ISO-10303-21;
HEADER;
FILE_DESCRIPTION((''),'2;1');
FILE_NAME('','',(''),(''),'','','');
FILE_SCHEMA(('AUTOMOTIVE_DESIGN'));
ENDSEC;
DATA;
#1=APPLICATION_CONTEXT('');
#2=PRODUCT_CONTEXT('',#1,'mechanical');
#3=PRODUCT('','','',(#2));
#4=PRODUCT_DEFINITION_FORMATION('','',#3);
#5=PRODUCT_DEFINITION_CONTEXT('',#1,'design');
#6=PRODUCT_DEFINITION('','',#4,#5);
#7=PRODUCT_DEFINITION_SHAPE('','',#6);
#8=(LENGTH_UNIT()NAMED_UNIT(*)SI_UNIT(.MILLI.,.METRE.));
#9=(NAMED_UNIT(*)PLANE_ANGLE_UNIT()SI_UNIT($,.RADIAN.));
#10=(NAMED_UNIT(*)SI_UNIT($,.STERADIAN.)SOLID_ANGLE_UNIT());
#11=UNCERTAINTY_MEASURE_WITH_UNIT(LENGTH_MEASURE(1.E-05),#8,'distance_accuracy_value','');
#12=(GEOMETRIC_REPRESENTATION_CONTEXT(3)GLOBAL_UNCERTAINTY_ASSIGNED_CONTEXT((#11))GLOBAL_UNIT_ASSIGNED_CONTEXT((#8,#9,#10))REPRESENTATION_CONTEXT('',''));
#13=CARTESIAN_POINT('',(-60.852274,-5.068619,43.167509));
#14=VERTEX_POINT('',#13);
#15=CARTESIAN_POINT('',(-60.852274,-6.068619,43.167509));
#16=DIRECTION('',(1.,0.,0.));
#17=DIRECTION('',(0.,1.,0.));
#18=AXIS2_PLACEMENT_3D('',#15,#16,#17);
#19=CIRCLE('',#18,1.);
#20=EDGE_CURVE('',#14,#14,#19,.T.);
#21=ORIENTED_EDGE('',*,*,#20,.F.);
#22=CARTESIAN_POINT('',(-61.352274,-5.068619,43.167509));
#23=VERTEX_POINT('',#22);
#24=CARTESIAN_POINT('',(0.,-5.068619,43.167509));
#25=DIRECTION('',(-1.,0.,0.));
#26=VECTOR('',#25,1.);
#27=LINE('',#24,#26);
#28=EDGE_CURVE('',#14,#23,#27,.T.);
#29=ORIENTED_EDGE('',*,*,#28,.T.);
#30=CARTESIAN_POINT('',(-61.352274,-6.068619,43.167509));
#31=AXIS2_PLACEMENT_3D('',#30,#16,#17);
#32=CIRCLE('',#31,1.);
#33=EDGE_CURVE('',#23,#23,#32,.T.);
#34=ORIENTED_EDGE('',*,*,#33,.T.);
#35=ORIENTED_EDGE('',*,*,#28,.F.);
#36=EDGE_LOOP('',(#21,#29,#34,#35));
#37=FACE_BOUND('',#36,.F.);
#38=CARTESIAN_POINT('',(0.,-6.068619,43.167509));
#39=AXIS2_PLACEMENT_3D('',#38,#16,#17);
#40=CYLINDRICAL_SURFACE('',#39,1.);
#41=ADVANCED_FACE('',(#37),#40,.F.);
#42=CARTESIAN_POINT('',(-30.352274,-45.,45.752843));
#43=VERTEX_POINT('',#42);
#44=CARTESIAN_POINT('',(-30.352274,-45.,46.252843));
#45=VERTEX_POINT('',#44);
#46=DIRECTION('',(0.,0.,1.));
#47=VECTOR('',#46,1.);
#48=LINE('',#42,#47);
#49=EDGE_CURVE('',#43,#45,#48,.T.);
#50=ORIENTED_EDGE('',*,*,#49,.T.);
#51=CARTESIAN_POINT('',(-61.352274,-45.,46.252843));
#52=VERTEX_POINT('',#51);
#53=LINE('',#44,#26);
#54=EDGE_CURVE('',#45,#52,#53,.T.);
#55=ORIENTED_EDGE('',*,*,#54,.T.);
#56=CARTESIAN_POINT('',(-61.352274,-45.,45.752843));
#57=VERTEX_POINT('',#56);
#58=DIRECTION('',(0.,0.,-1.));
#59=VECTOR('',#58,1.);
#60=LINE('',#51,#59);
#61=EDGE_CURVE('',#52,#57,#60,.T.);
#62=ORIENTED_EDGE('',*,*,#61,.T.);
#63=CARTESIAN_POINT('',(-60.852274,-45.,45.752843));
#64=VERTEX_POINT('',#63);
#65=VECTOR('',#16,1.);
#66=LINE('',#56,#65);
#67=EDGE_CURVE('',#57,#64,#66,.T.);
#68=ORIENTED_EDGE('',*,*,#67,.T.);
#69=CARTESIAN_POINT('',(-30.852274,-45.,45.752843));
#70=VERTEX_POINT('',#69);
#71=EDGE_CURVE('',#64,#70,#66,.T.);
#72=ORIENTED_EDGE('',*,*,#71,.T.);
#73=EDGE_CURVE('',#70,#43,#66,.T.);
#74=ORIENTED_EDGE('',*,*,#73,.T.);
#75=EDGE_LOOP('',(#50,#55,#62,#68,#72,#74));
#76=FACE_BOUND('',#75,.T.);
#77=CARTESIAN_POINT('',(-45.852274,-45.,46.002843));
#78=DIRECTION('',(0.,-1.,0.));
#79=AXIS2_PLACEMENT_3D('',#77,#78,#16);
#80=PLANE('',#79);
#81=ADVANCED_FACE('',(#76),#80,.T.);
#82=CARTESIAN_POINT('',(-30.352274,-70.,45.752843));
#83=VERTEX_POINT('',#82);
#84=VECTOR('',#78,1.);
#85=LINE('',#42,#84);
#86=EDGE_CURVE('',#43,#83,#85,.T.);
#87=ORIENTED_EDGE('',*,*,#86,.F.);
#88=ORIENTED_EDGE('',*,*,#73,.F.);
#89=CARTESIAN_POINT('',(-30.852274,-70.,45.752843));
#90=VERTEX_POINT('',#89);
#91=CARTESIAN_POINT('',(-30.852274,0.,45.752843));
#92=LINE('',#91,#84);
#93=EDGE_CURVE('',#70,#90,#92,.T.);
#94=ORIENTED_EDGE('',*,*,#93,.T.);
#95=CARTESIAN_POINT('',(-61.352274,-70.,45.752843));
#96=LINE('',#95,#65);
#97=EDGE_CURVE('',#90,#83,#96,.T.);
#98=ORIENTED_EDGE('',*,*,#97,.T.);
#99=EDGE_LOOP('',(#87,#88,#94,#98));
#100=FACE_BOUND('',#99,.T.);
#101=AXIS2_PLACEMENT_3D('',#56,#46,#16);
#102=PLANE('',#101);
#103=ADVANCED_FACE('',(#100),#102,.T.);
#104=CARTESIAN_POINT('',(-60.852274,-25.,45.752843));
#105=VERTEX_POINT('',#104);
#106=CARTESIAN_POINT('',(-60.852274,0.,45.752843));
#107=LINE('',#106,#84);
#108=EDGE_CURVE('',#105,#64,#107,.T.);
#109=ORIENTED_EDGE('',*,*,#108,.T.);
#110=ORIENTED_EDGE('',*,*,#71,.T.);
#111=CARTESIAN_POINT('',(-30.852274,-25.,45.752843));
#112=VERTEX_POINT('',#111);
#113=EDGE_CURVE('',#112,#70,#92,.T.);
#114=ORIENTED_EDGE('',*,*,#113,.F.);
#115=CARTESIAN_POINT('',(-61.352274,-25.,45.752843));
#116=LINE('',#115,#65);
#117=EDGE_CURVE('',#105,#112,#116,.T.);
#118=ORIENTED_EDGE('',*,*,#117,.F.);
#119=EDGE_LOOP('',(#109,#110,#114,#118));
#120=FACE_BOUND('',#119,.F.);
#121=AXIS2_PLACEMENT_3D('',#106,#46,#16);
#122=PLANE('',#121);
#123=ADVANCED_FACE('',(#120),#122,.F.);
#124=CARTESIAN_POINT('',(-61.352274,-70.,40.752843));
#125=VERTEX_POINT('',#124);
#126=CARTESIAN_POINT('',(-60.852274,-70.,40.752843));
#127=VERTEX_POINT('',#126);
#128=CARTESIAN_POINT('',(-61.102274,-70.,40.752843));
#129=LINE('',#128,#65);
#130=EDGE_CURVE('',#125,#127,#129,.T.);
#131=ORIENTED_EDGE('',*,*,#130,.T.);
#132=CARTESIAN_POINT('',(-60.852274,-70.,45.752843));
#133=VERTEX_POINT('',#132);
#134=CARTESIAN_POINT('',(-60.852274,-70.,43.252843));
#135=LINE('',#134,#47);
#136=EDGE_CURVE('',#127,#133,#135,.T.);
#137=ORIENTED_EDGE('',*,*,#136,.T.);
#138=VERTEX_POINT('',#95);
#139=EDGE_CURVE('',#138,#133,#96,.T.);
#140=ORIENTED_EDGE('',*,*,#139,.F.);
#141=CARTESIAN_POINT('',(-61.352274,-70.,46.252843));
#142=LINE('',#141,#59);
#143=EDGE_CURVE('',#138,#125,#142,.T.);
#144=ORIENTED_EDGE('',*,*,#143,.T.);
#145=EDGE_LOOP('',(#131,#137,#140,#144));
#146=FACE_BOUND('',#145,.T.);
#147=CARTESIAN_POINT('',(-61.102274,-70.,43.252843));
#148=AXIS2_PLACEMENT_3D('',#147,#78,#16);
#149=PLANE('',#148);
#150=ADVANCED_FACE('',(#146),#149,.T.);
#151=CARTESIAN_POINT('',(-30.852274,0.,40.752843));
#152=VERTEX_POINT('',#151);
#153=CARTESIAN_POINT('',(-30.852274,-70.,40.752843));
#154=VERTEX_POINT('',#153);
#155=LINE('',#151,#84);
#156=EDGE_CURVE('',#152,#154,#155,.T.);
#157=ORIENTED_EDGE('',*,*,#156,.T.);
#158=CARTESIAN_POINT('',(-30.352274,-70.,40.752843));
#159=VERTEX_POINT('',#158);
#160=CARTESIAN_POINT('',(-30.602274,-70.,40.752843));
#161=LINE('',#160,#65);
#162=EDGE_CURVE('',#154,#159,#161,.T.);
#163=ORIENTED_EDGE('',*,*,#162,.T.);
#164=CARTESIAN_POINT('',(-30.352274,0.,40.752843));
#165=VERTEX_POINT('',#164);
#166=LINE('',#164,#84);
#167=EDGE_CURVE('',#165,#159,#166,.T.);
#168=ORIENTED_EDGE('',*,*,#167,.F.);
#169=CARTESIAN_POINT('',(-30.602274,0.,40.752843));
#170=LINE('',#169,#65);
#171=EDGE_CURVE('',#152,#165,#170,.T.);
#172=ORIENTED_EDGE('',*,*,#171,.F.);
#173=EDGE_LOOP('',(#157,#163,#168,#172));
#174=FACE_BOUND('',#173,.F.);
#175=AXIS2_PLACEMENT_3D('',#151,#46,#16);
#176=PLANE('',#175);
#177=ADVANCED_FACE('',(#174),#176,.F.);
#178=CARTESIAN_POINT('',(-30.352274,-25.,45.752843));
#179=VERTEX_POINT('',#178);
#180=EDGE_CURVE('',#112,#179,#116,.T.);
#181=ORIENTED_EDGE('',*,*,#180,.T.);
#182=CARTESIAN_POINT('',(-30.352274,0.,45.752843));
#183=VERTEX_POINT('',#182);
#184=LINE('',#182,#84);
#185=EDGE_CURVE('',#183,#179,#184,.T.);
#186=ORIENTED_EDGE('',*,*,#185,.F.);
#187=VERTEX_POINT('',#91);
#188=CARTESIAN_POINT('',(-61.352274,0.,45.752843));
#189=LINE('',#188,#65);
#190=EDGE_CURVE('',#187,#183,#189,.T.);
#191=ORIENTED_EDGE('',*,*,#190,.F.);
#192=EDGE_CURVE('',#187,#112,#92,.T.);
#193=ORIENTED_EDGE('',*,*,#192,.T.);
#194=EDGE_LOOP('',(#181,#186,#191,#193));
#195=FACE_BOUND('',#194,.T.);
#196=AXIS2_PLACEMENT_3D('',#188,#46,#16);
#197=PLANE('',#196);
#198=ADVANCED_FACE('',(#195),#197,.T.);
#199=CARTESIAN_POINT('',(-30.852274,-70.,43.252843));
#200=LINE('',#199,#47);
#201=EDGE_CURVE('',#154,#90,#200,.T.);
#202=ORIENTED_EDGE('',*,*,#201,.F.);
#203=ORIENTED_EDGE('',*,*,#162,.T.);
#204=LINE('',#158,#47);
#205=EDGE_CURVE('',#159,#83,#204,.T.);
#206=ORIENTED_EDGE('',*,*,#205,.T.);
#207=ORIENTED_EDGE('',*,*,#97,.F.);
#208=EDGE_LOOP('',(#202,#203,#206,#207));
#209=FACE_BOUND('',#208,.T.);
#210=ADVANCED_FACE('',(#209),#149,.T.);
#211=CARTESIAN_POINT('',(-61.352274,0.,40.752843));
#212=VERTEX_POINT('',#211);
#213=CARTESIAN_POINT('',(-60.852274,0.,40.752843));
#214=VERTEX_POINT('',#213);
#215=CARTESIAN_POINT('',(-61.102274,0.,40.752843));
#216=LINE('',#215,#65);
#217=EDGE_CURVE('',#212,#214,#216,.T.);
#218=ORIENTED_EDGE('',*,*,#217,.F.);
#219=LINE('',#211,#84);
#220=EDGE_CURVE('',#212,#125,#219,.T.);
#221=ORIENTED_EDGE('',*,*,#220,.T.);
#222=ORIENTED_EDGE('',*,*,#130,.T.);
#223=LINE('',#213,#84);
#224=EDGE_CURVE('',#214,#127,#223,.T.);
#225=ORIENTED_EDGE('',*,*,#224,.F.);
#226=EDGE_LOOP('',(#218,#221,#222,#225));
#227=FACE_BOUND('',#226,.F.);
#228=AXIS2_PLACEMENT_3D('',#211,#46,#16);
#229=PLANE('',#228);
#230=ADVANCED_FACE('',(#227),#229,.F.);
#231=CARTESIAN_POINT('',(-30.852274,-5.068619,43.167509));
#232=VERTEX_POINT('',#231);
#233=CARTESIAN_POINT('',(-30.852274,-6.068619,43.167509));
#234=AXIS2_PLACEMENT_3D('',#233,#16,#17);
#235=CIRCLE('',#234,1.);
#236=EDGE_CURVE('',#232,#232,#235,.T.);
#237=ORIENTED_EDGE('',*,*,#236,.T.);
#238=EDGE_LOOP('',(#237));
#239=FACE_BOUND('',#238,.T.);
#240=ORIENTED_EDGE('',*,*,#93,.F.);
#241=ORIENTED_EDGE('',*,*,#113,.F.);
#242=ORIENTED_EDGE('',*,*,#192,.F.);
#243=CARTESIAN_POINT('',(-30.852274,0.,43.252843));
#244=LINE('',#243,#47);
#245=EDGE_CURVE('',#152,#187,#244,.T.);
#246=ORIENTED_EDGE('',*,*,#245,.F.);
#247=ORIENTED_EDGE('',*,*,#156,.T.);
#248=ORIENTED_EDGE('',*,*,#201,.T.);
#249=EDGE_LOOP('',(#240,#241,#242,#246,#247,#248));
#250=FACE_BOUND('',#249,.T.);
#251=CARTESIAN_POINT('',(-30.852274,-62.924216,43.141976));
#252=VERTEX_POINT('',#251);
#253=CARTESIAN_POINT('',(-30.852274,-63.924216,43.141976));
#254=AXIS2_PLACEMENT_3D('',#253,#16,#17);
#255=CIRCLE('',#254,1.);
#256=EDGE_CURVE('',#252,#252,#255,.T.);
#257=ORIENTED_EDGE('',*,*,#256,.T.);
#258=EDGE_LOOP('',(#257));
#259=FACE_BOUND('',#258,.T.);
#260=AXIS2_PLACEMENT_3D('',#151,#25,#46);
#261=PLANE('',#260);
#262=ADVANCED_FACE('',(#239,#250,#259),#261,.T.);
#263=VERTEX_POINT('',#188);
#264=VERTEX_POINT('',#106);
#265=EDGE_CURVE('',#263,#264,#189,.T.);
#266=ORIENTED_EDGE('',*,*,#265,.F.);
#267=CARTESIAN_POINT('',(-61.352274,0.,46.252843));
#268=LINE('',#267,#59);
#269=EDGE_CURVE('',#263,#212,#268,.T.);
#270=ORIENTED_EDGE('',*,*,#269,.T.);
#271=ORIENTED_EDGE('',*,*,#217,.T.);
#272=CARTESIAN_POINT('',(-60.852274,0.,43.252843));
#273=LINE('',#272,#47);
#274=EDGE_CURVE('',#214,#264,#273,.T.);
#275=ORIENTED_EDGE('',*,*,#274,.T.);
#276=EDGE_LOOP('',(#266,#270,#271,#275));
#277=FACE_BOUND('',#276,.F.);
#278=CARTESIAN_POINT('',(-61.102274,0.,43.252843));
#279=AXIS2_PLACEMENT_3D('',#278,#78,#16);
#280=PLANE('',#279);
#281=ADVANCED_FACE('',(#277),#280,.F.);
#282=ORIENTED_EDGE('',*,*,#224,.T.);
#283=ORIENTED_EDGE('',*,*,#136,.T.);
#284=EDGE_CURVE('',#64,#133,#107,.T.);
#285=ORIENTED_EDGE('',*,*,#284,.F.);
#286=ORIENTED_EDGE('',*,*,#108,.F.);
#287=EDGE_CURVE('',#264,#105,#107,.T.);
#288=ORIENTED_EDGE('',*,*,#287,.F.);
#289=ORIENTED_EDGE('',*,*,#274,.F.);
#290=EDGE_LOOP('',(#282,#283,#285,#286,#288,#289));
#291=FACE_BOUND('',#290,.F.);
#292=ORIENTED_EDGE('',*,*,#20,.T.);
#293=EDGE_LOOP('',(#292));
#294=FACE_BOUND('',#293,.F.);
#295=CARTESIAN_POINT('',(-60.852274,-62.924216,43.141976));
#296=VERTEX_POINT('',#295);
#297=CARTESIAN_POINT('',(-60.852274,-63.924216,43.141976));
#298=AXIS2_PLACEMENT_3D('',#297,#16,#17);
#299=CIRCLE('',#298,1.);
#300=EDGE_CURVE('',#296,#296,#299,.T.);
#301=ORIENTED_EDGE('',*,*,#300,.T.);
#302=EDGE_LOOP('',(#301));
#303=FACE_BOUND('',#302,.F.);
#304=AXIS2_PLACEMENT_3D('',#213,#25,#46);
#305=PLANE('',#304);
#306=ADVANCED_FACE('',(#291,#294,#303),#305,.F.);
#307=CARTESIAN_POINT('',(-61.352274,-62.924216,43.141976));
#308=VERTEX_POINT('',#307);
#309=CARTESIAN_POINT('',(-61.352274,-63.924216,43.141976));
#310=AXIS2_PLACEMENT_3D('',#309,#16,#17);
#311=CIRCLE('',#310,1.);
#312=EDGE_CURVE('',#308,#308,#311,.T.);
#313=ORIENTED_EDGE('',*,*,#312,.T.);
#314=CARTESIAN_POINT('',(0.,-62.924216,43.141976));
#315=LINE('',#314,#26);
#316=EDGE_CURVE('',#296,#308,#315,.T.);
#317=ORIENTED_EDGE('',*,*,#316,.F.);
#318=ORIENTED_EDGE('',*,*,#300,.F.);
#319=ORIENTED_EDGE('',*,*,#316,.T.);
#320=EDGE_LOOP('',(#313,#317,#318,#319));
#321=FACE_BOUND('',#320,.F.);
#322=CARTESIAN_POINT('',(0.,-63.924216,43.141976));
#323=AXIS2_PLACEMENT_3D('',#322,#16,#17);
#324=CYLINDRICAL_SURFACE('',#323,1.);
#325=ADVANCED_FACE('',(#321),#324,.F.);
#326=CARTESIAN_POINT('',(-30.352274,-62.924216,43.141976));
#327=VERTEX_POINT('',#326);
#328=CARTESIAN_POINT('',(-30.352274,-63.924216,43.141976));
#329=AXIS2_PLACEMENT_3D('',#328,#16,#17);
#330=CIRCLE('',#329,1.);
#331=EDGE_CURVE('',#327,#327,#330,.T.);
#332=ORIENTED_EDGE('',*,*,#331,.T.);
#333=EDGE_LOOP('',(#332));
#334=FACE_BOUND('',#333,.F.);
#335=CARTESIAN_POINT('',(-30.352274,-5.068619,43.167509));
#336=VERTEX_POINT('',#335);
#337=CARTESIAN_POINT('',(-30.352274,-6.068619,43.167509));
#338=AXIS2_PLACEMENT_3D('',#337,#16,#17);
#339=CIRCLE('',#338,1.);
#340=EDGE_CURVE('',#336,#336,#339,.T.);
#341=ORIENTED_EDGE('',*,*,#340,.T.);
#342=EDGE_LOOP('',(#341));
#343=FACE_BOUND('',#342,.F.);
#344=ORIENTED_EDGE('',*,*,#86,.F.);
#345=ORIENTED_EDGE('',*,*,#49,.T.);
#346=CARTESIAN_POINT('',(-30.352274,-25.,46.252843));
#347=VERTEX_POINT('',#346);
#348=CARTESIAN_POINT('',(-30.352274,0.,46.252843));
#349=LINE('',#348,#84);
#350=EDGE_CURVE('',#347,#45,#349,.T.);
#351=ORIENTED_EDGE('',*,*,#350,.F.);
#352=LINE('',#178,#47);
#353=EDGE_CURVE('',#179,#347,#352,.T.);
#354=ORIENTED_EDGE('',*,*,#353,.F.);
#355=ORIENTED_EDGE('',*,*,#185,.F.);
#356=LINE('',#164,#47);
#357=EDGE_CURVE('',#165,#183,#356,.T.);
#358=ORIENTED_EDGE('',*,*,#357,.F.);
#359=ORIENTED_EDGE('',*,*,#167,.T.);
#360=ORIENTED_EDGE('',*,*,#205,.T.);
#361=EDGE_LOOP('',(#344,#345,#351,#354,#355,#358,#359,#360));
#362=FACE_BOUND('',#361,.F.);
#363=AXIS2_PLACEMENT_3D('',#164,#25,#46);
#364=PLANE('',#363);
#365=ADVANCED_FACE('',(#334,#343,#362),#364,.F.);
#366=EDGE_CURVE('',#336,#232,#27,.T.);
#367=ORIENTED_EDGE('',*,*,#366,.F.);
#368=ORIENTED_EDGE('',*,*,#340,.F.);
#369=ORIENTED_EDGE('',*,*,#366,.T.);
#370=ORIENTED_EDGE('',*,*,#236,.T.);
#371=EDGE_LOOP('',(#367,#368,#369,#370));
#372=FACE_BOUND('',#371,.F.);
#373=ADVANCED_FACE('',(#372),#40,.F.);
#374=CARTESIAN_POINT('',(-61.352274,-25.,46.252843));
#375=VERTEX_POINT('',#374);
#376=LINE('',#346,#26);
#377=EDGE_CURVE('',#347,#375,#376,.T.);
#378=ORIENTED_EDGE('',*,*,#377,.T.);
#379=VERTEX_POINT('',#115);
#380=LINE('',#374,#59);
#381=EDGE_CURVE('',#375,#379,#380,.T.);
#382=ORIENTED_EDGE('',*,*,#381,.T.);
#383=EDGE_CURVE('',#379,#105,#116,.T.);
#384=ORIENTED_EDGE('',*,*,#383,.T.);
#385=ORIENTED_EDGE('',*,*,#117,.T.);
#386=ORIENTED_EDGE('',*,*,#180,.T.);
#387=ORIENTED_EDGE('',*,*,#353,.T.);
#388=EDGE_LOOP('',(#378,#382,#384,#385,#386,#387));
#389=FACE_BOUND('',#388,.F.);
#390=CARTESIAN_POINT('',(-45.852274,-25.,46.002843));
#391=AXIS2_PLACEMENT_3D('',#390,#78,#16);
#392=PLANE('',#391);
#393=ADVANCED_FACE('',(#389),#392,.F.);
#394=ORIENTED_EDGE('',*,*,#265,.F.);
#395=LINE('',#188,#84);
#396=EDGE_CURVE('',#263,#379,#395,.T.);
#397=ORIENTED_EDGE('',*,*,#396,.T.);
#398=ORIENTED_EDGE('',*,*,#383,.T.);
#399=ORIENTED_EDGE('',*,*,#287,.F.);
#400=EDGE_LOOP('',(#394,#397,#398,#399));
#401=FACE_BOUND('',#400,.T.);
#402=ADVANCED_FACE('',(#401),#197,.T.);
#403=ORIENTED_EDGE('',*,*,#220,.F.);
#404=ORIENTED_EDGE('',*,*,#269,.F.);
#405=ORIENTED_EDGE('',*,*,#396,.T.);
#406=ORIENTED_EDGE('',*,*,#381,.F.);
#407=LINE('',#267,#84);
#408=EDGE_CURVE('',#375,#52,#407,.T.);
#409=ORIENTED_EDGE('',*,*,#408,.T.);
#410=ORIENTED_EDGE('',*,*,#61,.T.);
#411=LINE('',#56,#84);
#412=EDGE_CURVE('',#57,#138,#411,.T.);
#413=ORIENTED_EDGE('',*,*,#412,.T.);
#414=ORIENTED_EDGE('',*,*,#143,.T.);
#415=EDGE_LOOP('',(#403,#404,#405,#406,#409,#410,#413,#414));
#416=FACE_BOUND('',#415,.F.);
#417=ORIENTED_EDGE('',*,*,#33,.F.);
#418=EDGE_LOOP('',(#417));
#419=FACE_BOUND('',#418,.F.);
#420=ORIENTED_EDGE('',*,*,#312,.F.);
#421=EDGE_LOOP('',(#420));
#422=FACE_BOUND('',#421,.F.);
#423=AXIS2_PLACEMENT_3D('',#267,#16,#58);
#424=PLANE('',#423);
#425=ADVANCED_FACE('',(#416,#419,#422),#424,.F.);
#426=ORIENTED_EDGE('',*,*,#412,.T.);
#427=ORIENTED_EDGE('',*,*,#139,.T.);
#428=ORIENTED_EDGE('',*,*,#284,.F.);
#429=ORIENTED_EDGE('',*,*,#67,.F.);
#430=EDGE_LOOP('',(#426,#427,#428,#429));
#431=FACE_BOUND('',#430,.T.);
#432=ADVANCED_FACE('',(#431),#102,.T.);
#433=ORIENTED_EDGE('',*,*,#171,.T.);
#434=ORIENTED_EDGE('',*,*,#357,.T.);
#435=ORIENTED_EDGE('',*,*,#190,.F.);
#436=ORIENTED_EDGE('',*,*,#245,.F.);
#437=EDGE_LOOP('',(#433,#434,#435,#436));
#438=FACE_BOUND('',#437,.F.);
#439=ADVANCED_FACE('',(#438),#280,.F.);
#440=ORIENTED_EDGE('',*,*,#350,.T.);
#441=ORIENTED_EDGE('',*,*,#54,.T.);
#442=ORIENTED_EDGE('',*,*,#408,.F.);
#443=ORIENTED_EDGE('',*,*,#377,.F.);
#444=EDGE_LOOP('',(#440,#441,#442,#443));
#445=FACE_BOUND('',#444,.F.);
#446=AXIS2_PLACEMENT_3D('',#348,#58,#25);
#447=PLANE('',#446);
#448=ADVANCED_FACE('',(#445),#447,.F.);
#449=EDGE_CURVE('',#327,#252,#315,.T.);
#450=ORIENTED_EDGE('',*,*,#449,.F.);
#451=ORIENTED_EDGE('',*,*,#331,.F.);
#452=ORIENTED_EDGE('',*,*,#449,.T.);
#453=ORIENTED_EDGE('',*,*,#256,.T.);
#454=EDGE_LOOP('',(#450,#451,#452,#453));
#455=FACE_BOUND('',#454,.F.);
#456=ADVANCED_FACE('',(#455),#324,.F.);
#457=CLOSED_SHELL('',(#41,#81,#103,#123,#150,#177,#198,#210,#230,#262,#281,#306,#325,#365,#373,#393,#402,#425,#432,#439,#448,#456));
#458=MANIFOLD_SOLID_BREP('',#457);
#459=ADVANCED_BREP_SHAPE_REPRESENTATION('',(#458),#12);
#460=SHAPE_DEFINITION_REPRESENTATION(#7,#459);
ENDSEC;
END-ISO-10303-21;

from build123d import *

# Parameters (mm, degrees)
F0_W     = 0.5
F0_H     = 5
F1_DEPTH = 70
F2_DEPTH = 25
F3_START = 45
F3_DEPTH = 25
F4_R     = 1
F5_DEPTH = 84.25
F6_R     = 1
F7_DEPTH = 160.25


with BuildPart() as f1:
    # F0 (on Front) → F1 (new body)
    with BuildSketch(Plane.XZ):
        with Locations((-61.1022742987, 43.2528425008)):
            Rectangle(F0_W, F0_H)
        Polygon((-61.3522742987, 45.7528425008), (-60.8522742987, 45.7528425008), (-30.8522742987, 45.7528425008), (-30.3522742987, 45.7528425008), (-30.3522742987, 46.2528425008), (-61.3522742987, 46.2528425008), align=None)
        with Locations((-30.6022742987, 43.2528425008)):
            Rectangle(F0_W, F0_H)
    extrude(amount=F1_DEPTH)

    # F0 (on Front) → F2 (cut)
    with BuildSketch(Plane.XZ):
        Polygon((-61.3522742987, 45.7528425008), (-60.8522742987, 45.7528425008), (-30.8522742987, 45.7528425008), (-30.3522742987, 45.7528425008), (-30.3522742987, 46.2528425008), (-61.3522742987, 46.2528425008), align=None)
    extrude(amount=F2_DEPTH, mode=Mode.SUBTRACT)

    # F0 (on Front) → F3 (cut)
    with BuildSketch(Plane.XZ.offset(F3_START)):
        Polygon((-61.3522742987, 45.7528425008), (-60.8522742987, 45.7528425008), (-30.8522742987, 45.7528425008), (-30.3522742987, 45.7528425008), (-30.3522742987, 46.2528425008), (-61.3522742987, 46.2528425008), align=None)
    extrude(amount=F3_DEPTH, mode=Mode.SUBTRACT)

    # F4 (on Right) → F5 (cut)
    with BuildSketch(Plane.YZ):
        with Locations((-63.924215734, 43.1419759989)):
            Circle(F4_R)
    extrude(amount=-F5_DEPTH, mode=Mode.SUBTRACT)

    # F6 (on Right) → F7 (cut)
    with BuildSketch(Plane.YZ):
        with Locations((-6.0686194338, 43.1675091386)):
            Circle(F6_R)
    extrude(amount=-F7_DEPTH, mode=Mode.SUBTRACT)


solid = f1.part
